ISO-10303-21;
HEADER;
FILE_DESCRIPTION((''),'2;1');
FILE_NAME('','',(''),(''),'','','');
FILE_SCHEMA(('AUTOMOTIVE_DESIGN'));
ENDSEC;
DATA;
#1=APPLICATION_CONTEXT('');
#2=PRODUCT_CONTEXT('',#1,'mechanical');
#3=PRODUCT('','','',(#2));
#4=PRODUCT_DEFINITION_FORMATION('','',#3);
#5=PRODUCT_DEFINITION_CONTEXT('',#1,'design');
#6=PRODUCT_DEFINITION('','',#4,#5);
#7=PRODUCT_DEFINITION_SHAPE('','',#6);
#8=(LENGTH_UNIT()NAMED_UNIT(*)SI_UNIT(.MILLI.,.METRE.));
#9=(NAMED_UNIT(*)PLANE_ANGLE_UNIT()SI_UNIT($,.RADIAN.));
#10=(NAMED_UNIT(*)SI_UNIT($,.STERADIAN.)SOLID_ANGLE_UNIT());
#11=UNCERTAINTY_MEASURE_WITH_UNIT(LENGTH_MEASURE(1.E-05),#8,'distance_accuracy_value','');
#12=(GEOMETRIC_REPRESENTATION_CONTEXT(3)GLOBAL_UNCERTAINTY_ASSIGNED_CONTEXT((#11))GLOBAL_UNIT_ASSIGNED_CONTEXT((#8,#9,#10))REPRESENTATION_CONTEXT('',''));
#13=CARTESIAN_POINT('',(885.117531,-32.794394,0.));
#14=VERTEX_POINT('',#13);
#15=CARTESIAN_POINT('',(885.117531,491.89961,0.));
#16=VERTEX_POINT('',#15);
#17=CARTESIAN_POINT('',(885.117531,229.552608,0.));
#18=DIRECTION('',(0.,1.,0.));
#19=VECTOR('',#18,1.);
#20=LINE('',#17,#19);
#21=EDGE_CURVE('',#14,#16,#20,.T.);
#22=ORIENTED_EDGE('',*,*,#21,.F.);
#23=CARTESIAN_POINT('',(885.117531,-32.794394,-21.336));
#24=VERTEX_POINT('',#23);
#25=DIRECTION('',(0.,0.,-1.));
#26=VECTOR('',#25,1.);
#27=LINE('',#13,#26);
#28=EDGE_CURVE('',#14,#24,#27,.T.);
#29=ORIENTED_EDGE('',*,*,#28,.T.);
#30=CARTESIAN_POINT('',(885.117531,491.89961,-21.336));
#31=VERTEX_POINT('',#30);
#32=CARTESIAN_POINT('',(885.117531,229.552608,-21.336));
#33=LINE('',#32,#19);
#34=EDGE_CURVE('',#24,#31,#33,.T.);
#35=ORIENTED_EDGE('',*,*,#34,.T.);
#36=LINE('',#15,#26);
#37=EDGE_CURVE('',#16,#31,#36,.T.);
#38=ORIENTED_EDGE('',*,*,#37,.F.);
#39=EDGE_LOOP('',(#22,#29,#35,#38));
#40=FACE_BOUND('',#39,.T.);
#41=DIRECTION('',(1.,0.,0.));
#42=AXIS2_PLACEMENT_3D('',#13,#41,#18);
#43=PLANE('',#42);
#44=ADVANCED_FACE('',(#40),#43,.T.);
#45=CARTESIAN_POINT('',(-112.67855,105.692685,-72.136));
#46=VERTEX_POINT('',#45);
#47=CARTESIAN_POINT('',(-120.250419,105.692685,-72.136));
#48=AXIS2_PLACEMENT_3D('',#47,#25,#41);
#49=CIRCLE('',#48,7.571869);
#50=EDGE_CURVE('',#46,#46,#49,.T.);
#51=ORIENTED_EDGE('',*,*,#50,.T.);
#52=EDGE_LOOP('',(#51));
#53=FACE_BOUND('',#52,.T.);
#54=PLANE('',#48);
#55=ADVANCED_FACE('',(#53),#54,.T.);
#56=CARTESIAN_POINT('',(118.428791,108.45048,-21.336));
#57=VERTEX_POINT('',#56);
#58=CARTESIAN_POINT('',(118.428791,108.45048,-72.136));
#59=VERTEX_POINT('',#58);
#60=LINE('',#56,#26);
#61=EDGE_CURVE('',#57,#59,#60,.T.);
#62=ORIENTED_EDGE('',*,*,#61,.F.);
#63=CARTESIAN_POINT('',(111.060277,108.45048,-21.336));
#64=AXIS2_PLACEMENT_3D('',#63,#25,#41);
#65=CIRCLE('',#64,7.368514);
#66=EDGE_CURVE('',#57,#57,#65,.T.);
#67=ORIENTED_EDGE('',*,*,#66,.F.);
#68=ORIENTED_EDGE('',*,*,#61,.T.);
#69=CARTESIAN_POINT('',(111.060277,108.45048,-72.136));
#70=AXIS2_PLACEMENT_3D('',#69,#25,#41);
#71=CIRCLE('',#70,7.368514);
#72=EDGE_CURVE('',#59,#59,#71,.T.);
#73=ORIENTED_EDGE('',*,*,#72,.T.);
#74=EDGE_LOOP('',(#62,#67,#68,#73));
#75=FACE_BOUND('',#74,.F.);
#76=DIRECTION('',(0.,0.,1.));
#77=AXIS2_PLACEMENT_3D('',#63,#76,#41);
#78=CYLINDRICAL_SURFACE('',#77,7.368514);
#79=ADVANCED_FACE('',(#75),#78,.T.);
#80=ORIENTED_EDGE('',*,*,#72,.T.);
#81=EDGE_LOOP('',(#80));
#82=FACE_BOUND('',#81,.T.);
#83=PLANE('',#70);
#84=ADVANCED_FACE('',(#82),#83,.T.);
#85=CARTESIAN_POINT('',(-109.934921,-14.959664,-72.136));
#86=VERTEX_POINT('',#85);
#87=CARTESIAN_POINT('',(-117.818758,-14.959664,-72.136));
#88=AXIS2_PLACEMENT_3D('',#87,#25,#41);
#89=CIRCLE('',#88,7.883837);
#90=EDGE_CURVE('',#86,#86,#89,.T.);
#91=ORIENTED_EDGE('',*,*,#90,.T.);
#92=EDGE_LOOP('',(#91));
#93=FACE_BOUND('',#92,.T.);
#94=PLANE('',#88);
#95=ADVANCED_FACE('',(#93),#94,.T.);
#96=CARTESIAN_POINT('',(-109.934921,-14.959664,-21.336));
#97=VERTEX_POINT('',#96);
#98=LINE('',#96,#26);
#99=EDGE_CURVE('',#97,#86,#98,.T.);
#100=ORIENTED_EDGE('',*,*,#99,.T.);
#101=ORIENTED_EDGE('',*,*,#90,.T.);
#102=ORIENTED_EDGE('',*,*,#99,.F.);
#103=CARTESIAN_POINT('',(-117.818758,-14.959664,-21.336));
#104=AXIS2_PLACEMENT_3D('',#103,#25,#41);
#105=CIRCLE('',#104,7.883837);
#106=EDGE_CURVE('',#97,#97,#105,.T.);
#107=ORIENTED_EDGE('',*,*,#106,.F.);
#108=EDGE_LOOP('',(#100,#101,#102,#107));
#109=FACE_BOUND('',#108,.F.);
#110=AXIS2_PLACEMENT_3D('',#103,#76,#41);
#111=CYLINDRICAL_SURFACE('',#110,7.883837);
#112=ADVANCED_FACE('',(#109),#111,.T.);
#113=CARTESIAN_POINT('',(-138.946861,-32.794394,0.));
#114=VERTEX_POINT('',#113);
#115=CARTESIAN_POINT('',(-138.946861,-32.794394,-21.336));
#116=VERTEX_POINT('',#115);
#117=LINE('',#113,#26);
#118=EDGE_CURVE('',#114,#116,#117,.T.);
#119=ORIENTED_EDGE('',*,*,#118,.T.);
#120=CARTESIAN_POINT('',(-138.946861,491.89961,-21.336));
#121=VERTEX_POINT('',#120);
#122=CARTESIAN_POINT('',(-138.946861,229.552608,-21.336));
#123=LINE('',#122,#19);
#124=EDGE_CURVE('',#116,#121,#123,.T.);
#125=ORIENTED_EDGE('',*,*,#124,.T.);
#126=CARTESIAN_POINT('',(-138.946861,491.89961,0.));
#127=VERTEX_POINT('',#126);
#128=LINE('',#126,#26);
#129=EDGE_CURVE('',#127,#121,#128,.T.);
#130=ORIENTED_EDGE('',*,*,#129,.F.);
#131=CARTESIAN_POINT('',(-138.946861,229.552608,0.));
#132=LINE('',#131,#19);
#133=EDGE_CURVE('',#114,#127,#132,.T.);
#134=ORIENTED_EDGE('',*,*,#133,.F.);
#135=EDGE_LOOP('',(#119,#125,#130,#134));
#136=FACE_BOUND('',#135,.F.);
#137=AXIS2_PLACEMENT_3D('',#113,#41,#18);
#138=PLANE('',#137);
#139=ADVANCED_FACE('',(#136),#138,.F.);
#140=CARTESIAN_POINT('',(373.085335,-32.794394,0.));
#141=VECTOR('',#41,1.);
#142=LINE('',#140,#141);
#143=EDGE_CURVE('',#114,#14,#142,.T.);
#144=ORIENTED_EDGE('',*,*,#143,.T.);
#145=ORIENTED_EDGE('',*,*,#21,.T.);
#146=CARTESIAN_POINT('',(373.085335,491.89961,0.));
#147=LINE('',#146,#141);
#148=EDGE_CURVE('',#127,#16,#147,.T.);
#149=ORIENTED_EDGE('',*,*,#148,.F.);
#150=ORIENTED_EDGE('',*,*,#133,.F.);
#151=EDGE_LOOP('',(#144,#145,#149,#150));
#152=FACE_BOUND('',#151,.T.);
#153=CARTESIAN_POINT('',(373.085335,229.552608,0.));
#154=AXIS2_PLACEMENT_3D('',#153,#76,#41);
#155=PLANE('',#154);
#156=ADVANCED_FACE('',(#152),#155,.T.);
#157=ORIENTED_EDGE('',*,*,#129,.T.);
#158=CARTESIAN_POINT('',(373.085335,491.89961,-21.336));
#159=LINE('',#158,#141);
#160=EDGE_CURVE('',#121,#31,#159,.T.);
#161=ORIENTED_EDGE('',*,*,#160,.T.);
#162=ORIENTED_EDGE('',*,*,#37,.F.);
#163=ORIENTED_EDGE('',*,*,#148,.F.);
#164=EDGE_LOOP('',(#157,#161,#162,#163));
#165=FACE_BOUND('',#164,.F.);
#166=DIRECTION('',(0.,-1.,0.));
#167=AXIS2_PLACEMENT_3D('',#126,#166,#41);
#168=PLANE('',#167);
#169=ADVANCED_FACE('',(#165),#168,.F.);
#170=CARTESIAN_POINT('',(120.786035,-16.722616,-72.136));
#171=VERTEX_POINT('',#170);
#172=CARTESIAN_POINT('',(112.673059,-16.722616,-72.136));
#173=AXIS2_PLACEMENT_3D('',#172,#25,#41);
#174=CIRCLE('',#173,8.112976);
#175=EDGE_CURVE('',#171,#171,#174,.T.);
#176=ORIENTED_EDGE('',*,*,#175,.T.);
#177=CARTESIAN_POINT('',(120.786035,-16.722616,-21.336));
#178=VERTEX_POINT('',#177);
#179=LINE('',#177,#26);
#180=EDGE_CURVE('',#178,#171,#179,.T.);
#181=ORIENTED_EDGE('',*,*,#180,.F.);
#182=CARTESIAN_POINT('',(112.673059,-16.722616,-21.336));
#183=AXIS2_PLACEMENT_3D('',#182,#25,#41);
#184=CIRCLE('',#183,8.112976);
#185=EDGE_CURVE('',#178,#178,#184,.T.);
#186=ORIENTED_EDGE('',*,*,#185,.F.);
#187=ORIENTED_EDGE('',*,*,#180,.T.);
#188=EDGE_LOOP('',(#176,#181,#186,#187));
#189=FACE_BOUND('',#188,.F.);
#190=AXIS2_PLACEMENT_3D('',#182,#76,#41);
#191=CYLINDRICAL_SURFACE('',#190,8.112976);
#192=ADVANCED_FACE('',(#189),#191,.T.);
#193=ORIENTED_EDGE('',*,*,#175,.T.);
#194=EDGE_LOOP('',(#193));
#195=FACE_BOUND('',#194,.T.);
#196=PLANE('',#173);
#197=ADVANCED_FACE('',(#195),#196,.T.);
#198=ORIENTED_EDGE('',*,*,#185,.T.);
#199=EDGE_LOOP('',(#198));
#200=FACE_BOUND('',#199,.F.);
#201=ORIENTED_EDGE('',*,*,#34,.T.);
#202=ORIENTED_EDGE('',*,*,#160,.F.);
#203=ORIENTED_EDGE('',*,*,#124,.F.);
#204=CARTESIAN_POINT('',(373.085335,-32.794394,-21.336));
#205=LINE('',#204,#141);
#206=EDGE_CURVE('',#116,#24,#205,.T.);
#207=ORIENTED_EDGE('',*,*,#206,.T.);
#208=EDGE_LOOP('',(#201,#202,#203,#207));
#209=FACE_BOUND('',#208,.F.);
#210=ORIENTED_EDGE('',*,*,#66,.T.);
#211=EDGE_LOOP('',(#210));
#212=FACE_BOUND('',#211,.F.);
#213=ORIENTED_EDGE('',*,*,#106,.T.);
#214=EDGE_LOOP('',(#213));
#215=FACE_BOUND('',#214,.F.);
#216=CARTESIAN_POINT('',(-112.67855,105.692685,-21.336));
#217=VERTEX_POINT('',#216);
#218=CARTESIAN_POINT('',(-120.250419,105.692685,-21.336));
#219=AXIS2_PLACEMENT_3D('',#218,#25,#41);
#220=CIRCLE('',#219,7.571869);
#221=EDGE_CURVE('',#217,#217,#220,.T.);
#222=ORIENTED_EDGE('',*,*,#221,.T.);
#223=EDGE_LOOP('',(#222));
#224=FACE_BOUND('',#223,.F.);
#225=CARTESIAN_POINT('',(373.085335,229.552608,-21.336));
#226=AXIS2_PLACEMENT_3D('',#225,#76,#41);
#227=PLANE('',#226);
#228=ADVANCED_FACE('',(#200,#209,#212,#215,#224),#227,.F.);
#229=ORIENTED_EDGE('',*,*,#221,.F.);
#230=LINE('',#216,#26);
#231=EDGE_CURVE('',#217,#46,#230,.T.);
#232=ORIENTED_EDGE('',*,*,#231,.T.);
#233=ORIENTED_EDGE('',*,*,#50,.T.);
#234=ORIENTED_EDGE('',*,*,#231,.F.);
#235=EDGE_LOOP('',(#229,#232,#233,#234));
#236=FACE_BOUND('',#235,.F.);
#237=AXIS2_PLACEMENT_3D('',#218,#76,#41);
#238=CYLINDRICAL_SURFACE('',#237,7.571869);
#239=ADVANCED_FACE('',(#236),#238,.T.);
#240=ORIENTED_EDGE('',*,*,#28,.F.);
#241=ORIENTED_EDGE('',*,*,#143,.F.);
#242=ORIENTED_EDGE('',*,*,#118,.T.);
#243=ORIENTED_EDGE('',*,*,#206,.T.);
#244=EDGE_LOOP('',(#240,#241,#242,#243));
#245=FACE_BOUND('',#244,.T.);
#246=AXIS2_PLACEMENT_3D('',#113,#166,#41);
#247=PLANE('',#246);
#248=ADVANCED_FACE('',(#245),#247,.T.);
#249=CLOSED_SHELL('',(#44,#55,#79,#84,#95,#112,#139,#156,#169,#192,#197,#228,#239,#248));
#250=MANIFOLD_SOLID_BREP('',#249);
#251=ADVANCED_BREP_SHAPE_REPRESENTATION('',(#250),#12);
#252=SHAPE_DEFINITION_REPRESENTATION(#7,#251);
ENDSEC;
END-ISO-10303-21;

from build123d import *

# Parameters (mm, degrees)
F0_W     = 1024.064392
F0_H     = 524.694004
F1_DEPTH = 21.336
F2_R     = 7.883837
F3_DEPTH = 50.8
F4_R     = 7.571869
F5_DEPTH = 50.8
F6_R     = 7.368514
F7_DEPTH = 50.8
F8_R     = 8.112976
F9_DEPTH = 50.8


with BuildPart() as f1:
    # F0 (on Top) → F1 (new body)
    with BuildSketch(Plane.XY):
        with Locations((373.085335, 229.552608)):
            Rectangle(F0_W, F0_H)
    extrude(amount=-F1_DEPTH)

    # F2 (on face) → F3 (join)
    with BuildSketch(Plane(origin=(0, 0, -21.336), x_dir=(1, 0, 0), z_dir=(0, 0, -1))):
        with Locations((-117.818758, 14.959664)):
            Circle(F2_R)
    extrude(amount=F3_DEPTH)

    # F4 (on face) → F5 (join)
    with BuildSketch(Plane(origin=(0, 0, -21.336), x_dir=(1, 0, 0), z_dir=(0, 0, -1))):
        with Locations((-120.250419, -105.692685)):
            Circle(F4_R)
    extrude(amount=F5_DEPTH)

    # F6 (on face) → F7 (join)
    with BuildSketch(Plane(origin=(0, 0, -21.336), x_dir=(1, 0, 0), z_dir=(0, 0, -1))):
        with Locations((111.060277, -108.45048)):
            Circle(F6_R)
    extrude(amount=F7_DEPTH)

    # F8 (on face) → F9 (join)
    with BuildSketch(Plane(origin=(0, 0, -21.336), x_dir=(1, 0, 0), z_dir=(0, 0, -1))):
        with Locations((112.673059, 16.722616)):
            Circle(F8_R)
    extrude(amount=F9_DEPTH)


solid = f1.part
